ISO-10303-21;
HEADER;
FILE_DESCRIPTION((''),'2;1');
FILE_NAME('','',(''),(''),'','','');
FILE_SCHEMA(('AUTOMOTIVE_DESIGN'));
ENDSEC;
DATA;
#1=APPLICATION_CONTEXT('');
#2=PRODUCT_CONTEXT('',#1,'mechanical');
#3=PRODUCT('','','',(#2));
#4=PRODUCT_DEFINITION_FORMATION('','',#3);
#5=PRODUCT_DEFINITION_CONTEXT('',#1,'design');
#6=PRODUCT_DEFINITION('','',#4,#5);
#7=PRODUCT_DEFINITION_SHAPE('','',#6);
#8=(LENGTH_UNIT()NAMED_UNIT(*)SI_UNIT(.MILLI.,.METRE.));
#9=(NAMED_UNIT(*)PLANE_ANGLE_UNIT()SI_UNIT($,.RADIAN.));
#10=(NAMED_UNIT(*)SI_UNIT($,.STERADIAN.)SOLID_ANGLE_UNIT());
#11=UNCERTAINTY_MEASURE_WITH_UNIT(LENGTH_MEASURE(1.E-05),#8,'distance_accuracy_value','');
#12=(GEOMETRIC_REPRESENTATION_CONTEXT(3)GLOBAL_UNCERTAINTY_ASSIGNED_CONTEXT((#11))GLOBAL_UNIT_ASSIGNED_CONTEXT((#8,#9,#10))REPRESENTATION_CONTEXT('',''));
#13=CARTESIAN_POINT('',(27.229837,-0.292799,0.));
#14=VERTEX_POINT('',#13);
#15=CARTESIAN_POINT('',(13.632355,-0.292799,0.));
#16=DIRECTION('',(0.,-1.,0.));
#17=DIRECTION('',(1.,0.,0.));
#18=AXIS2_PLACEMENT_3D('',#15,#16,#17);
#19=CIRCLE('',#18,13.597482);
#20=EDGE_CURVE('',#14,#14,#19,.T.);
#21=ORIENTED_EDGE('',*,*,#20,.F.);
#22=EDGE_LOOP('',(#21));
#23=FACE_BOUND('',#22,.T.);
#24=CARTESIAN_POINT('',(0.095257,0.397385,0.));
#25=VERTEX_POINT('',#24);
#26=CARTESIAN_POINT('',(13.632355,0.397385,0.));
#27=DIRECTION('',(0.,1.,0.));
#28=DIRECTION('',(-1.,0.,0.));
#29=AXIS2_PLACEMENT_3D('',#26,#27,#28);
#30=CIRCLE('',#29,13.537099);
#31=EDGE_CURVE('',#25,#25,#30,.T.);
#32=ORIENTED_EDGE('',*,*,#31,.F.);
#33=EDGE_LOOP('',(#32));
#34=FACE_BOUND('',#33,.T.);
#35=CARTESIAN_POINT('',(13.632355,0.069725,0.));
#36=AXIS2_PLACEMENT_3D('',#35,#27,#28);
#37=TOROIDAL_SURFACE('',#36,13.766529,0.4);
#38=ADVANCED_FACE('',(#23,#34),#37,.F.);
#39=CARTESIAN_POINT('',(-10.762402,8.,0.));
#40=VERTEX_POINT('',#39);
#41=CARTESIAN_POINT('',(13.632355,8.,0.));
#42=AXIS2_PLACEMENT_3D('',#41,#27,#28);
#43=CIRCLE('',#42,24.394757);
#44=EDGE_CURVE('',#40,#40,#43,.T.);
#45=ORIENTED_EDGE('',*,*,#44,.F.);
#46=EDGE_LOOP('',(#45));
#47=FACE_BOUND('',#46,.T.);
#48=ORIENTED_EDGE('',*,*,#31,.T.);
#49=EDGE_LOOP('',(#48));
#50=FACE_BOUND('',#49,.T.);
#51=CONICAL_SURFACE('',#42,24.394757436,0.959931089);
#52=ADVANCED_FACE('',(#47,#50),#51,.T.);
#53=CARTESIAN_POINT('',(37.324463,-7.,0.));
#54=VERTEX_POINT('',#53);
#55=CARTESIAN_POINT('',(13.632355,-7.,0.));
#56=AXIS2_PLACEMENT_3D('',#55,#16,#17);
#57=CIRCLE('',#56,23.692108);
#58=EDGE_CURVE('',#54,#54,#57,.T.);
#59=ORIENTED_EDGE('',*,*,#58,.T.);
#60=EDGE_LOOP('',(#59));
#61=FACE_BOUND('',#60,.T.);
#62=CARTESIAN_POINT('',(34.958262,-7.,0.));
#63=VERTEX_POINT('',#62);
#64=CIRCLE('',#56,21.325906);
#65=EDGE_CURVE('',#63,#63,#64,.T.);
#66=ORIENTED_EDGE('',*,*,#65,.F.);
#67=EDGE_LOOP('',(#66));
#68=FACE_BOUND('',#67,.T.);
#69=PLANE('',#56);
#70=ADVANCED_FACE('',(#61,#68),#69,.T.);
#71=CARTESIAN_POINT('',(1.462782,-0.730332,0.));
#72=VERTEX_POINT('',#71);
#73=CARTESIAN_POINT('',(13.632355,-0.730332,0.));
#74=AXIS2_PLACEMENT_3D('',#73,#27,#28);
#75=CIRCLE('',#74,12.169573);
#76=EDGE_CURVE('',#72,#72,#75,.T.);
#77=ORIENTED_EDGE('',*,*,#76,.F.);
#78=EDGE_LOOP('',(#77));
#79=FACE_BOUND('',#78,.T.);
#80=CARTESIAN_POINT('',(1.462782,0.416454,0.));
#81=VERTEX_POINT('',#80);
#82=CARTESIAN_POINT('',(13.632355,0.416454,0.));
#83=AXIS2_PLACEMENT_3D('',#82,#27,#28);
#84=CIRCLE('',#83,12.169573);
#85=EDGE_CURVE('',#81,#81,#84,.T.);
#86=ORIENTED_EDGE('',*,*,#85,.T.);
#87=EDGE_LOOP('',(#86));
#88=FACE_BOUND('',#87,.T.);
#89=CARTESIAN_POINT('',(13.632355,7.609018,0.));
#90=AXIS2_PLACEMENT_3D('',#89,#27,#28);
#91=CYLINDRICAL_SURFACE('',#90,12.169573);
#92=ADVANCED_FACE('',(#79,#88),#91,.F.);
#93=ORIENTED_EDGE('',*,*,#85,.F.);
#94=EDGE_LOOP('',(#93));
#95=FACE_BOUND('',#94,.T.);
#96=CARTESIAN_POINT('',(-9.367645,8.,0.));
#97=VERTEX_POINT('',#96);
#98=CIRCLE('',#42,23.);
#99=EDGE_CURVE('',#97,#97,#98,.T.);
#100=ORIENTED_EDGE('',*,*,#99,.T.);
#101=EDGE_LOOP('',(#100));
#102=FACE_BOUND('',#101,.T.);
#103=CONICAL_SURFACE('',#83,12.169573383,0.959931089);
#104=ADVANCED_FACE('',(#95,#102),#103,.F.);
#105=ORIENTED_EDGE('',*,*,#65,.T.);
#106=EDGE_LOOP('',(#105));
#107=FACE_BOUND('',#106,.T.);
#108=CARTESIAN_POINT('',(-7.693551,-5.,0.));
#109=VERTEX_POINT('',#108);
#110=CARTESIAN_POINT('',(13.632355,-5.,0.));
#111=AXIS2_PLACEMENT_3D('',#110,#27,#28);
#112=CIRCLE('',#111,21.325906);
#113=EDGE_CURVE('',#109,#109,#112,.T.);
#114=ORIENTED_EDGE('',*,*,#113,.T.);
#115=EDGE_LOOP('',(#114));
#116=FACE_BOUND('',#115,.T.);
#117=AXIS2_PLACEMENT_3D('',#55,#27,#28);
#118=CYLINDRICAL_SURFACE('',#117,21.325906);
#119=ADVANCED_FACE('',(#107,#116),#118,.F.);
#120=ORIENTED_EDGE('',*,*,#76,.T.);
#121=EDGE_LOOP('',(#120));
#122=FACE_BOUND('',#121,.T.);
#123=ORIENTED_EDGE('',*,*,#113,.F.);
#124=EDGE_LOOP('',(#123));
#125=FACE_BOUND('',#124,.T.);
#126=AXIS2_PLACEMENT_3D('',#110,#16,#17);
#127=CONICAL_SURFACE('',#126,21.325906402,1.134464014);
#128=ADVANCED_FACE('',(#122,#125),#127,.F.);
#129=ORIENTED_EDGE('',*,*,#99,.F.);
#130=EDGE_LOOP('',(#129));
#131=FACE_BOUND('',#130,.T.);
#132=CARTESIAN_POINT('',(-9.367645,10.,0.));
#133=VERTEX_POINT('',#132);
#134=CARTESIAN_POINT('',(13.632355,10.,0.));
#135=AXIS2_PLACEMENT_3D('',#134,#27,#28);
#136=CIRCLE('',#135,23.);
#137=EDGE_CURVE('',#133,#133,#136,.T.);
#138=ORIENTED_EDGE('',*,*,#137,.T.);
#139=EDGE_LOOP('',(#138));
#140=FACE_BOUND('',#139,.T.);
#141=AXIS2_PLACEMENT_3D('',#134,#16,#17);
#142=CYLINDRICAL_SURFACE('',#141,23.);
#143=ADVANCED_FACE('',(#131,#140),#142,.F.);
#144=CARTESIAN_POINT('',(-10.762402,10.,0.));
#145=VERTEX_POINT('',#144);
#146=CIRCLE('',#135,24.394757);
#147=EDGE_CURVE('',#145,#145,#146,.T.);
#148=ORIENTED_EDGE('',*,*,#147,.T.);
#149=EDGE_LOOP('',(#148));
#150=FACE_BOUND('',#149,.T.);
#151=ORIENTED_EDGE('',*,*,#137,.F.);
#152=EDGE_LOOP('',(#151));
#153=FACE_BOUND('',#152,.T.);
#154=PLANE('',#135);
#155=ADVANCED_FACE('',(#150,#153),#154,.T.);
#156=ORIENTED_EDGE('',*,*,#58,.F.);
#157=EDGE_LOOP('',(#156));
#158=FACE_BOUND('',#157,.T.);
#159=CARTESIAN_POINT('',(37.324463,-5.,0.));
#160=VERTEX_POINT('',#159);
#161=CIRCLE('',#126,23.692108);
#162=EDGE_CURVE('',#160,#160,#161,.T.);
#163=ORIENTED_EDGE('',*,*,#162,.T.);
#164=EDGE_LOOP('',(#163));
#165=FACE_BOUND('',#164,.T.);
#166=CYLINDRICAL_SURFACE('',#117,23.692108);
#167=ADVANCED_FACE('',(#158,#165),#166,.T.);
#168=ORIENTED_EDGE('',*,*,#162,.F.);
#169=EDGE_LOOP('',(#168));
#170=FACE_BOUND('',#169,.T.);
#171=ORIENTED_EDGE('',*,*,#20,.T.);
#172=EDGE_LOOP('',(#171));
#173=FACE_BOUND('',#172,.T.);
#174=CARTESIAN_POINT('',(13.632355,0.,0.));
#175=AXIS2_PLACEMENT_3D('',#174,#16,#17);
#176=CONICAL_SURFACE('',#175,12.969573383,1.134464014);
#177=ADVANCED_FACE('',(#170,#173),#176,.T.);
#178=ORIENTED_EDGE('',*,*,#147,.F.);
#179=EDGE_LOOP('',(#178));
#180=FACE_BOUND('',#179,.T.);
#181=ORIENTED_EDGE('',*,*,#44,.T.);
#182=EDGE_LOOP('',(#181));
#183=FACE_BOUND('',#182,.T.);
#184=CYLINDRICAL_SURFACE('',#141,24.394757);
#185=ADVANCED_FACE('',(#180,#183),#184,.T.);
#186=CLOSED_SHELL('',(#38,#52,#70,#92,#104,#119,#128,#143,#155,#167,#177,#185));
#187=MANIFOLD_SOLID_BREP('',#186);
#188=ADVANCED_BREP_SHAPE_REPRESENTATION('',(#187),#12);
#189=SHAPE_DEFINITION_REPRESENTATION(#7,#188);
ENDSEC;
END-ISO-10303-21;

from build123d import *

# Parameters (mm, degrees)
FILLET2_R           = 0.4
SKETCH2_R           = 24.394757436
SKETCH2_R_2         = 23
BOSS_EXTRUDE1_DEPTH = 2
SKETCH3_R           = 23.692107985
SKETCH3_R_2         = 21.325906402
BOSS_EXTRUDE2_DEPTH = 2


with BuildPart() as part:
    # Sketch1 → Revolve1 (revolve)
    with BuildSketch(Plane.XY):
        Polygon((0.662781953, 0), (-10.762402101, 8), (-9.367644665, 8), (1.462781953, 0.41645364), (1.462781953, -0.730331792), (-7.693551067, -5), (-10.05975265, -5), align=None)
    revolve(axis=Axis((13.632355335, 7.609018033, 0), (0, -1, 0)))

    # Fillet2
    fillet2_edges = [part.edges().sort_by_distance(p)[0] for p in [
        (26.601928718, 0, 0),
    ]]
    fillet(fillet2_edges, radius=FILLET2_R)

    # Sketch2 → Boss-Extrude1 (add)
    with BuildSketch(Plane(origin=(0, 8, 0), x_dir=(1, 0, 0), z_dir=(0, 1, 0))):
        with Locations(Location((13.632355335, 0, 0), (0, 0, 180))):
            Circle(SKETCH2_R)
        with Locations(Location((13.632355335, 0, 0), (0, 0, 180))):
            Circle(SKETCH2_R_2, mode=Mode.SUBTRACT)
    extrude(amount=BOSS_EXTRUDE1_DEPTH)

    # Sketch3 → Boss-Extrude2 (add)
    with BuildSketch(Plane.XZ.offset(5)):
        with Locations((13.632355335, 0)):
            Circle(SKETCH3_R)
        with Locations(Location((13.632355335, 0, 0), (0, 0, 180))):
            Circle(SKETCH3_R_2, mode=Mode.SUBTRACT)
    extrude(amount=BOSS_EXTRUDE2_DEPTH)


solid = part.part
